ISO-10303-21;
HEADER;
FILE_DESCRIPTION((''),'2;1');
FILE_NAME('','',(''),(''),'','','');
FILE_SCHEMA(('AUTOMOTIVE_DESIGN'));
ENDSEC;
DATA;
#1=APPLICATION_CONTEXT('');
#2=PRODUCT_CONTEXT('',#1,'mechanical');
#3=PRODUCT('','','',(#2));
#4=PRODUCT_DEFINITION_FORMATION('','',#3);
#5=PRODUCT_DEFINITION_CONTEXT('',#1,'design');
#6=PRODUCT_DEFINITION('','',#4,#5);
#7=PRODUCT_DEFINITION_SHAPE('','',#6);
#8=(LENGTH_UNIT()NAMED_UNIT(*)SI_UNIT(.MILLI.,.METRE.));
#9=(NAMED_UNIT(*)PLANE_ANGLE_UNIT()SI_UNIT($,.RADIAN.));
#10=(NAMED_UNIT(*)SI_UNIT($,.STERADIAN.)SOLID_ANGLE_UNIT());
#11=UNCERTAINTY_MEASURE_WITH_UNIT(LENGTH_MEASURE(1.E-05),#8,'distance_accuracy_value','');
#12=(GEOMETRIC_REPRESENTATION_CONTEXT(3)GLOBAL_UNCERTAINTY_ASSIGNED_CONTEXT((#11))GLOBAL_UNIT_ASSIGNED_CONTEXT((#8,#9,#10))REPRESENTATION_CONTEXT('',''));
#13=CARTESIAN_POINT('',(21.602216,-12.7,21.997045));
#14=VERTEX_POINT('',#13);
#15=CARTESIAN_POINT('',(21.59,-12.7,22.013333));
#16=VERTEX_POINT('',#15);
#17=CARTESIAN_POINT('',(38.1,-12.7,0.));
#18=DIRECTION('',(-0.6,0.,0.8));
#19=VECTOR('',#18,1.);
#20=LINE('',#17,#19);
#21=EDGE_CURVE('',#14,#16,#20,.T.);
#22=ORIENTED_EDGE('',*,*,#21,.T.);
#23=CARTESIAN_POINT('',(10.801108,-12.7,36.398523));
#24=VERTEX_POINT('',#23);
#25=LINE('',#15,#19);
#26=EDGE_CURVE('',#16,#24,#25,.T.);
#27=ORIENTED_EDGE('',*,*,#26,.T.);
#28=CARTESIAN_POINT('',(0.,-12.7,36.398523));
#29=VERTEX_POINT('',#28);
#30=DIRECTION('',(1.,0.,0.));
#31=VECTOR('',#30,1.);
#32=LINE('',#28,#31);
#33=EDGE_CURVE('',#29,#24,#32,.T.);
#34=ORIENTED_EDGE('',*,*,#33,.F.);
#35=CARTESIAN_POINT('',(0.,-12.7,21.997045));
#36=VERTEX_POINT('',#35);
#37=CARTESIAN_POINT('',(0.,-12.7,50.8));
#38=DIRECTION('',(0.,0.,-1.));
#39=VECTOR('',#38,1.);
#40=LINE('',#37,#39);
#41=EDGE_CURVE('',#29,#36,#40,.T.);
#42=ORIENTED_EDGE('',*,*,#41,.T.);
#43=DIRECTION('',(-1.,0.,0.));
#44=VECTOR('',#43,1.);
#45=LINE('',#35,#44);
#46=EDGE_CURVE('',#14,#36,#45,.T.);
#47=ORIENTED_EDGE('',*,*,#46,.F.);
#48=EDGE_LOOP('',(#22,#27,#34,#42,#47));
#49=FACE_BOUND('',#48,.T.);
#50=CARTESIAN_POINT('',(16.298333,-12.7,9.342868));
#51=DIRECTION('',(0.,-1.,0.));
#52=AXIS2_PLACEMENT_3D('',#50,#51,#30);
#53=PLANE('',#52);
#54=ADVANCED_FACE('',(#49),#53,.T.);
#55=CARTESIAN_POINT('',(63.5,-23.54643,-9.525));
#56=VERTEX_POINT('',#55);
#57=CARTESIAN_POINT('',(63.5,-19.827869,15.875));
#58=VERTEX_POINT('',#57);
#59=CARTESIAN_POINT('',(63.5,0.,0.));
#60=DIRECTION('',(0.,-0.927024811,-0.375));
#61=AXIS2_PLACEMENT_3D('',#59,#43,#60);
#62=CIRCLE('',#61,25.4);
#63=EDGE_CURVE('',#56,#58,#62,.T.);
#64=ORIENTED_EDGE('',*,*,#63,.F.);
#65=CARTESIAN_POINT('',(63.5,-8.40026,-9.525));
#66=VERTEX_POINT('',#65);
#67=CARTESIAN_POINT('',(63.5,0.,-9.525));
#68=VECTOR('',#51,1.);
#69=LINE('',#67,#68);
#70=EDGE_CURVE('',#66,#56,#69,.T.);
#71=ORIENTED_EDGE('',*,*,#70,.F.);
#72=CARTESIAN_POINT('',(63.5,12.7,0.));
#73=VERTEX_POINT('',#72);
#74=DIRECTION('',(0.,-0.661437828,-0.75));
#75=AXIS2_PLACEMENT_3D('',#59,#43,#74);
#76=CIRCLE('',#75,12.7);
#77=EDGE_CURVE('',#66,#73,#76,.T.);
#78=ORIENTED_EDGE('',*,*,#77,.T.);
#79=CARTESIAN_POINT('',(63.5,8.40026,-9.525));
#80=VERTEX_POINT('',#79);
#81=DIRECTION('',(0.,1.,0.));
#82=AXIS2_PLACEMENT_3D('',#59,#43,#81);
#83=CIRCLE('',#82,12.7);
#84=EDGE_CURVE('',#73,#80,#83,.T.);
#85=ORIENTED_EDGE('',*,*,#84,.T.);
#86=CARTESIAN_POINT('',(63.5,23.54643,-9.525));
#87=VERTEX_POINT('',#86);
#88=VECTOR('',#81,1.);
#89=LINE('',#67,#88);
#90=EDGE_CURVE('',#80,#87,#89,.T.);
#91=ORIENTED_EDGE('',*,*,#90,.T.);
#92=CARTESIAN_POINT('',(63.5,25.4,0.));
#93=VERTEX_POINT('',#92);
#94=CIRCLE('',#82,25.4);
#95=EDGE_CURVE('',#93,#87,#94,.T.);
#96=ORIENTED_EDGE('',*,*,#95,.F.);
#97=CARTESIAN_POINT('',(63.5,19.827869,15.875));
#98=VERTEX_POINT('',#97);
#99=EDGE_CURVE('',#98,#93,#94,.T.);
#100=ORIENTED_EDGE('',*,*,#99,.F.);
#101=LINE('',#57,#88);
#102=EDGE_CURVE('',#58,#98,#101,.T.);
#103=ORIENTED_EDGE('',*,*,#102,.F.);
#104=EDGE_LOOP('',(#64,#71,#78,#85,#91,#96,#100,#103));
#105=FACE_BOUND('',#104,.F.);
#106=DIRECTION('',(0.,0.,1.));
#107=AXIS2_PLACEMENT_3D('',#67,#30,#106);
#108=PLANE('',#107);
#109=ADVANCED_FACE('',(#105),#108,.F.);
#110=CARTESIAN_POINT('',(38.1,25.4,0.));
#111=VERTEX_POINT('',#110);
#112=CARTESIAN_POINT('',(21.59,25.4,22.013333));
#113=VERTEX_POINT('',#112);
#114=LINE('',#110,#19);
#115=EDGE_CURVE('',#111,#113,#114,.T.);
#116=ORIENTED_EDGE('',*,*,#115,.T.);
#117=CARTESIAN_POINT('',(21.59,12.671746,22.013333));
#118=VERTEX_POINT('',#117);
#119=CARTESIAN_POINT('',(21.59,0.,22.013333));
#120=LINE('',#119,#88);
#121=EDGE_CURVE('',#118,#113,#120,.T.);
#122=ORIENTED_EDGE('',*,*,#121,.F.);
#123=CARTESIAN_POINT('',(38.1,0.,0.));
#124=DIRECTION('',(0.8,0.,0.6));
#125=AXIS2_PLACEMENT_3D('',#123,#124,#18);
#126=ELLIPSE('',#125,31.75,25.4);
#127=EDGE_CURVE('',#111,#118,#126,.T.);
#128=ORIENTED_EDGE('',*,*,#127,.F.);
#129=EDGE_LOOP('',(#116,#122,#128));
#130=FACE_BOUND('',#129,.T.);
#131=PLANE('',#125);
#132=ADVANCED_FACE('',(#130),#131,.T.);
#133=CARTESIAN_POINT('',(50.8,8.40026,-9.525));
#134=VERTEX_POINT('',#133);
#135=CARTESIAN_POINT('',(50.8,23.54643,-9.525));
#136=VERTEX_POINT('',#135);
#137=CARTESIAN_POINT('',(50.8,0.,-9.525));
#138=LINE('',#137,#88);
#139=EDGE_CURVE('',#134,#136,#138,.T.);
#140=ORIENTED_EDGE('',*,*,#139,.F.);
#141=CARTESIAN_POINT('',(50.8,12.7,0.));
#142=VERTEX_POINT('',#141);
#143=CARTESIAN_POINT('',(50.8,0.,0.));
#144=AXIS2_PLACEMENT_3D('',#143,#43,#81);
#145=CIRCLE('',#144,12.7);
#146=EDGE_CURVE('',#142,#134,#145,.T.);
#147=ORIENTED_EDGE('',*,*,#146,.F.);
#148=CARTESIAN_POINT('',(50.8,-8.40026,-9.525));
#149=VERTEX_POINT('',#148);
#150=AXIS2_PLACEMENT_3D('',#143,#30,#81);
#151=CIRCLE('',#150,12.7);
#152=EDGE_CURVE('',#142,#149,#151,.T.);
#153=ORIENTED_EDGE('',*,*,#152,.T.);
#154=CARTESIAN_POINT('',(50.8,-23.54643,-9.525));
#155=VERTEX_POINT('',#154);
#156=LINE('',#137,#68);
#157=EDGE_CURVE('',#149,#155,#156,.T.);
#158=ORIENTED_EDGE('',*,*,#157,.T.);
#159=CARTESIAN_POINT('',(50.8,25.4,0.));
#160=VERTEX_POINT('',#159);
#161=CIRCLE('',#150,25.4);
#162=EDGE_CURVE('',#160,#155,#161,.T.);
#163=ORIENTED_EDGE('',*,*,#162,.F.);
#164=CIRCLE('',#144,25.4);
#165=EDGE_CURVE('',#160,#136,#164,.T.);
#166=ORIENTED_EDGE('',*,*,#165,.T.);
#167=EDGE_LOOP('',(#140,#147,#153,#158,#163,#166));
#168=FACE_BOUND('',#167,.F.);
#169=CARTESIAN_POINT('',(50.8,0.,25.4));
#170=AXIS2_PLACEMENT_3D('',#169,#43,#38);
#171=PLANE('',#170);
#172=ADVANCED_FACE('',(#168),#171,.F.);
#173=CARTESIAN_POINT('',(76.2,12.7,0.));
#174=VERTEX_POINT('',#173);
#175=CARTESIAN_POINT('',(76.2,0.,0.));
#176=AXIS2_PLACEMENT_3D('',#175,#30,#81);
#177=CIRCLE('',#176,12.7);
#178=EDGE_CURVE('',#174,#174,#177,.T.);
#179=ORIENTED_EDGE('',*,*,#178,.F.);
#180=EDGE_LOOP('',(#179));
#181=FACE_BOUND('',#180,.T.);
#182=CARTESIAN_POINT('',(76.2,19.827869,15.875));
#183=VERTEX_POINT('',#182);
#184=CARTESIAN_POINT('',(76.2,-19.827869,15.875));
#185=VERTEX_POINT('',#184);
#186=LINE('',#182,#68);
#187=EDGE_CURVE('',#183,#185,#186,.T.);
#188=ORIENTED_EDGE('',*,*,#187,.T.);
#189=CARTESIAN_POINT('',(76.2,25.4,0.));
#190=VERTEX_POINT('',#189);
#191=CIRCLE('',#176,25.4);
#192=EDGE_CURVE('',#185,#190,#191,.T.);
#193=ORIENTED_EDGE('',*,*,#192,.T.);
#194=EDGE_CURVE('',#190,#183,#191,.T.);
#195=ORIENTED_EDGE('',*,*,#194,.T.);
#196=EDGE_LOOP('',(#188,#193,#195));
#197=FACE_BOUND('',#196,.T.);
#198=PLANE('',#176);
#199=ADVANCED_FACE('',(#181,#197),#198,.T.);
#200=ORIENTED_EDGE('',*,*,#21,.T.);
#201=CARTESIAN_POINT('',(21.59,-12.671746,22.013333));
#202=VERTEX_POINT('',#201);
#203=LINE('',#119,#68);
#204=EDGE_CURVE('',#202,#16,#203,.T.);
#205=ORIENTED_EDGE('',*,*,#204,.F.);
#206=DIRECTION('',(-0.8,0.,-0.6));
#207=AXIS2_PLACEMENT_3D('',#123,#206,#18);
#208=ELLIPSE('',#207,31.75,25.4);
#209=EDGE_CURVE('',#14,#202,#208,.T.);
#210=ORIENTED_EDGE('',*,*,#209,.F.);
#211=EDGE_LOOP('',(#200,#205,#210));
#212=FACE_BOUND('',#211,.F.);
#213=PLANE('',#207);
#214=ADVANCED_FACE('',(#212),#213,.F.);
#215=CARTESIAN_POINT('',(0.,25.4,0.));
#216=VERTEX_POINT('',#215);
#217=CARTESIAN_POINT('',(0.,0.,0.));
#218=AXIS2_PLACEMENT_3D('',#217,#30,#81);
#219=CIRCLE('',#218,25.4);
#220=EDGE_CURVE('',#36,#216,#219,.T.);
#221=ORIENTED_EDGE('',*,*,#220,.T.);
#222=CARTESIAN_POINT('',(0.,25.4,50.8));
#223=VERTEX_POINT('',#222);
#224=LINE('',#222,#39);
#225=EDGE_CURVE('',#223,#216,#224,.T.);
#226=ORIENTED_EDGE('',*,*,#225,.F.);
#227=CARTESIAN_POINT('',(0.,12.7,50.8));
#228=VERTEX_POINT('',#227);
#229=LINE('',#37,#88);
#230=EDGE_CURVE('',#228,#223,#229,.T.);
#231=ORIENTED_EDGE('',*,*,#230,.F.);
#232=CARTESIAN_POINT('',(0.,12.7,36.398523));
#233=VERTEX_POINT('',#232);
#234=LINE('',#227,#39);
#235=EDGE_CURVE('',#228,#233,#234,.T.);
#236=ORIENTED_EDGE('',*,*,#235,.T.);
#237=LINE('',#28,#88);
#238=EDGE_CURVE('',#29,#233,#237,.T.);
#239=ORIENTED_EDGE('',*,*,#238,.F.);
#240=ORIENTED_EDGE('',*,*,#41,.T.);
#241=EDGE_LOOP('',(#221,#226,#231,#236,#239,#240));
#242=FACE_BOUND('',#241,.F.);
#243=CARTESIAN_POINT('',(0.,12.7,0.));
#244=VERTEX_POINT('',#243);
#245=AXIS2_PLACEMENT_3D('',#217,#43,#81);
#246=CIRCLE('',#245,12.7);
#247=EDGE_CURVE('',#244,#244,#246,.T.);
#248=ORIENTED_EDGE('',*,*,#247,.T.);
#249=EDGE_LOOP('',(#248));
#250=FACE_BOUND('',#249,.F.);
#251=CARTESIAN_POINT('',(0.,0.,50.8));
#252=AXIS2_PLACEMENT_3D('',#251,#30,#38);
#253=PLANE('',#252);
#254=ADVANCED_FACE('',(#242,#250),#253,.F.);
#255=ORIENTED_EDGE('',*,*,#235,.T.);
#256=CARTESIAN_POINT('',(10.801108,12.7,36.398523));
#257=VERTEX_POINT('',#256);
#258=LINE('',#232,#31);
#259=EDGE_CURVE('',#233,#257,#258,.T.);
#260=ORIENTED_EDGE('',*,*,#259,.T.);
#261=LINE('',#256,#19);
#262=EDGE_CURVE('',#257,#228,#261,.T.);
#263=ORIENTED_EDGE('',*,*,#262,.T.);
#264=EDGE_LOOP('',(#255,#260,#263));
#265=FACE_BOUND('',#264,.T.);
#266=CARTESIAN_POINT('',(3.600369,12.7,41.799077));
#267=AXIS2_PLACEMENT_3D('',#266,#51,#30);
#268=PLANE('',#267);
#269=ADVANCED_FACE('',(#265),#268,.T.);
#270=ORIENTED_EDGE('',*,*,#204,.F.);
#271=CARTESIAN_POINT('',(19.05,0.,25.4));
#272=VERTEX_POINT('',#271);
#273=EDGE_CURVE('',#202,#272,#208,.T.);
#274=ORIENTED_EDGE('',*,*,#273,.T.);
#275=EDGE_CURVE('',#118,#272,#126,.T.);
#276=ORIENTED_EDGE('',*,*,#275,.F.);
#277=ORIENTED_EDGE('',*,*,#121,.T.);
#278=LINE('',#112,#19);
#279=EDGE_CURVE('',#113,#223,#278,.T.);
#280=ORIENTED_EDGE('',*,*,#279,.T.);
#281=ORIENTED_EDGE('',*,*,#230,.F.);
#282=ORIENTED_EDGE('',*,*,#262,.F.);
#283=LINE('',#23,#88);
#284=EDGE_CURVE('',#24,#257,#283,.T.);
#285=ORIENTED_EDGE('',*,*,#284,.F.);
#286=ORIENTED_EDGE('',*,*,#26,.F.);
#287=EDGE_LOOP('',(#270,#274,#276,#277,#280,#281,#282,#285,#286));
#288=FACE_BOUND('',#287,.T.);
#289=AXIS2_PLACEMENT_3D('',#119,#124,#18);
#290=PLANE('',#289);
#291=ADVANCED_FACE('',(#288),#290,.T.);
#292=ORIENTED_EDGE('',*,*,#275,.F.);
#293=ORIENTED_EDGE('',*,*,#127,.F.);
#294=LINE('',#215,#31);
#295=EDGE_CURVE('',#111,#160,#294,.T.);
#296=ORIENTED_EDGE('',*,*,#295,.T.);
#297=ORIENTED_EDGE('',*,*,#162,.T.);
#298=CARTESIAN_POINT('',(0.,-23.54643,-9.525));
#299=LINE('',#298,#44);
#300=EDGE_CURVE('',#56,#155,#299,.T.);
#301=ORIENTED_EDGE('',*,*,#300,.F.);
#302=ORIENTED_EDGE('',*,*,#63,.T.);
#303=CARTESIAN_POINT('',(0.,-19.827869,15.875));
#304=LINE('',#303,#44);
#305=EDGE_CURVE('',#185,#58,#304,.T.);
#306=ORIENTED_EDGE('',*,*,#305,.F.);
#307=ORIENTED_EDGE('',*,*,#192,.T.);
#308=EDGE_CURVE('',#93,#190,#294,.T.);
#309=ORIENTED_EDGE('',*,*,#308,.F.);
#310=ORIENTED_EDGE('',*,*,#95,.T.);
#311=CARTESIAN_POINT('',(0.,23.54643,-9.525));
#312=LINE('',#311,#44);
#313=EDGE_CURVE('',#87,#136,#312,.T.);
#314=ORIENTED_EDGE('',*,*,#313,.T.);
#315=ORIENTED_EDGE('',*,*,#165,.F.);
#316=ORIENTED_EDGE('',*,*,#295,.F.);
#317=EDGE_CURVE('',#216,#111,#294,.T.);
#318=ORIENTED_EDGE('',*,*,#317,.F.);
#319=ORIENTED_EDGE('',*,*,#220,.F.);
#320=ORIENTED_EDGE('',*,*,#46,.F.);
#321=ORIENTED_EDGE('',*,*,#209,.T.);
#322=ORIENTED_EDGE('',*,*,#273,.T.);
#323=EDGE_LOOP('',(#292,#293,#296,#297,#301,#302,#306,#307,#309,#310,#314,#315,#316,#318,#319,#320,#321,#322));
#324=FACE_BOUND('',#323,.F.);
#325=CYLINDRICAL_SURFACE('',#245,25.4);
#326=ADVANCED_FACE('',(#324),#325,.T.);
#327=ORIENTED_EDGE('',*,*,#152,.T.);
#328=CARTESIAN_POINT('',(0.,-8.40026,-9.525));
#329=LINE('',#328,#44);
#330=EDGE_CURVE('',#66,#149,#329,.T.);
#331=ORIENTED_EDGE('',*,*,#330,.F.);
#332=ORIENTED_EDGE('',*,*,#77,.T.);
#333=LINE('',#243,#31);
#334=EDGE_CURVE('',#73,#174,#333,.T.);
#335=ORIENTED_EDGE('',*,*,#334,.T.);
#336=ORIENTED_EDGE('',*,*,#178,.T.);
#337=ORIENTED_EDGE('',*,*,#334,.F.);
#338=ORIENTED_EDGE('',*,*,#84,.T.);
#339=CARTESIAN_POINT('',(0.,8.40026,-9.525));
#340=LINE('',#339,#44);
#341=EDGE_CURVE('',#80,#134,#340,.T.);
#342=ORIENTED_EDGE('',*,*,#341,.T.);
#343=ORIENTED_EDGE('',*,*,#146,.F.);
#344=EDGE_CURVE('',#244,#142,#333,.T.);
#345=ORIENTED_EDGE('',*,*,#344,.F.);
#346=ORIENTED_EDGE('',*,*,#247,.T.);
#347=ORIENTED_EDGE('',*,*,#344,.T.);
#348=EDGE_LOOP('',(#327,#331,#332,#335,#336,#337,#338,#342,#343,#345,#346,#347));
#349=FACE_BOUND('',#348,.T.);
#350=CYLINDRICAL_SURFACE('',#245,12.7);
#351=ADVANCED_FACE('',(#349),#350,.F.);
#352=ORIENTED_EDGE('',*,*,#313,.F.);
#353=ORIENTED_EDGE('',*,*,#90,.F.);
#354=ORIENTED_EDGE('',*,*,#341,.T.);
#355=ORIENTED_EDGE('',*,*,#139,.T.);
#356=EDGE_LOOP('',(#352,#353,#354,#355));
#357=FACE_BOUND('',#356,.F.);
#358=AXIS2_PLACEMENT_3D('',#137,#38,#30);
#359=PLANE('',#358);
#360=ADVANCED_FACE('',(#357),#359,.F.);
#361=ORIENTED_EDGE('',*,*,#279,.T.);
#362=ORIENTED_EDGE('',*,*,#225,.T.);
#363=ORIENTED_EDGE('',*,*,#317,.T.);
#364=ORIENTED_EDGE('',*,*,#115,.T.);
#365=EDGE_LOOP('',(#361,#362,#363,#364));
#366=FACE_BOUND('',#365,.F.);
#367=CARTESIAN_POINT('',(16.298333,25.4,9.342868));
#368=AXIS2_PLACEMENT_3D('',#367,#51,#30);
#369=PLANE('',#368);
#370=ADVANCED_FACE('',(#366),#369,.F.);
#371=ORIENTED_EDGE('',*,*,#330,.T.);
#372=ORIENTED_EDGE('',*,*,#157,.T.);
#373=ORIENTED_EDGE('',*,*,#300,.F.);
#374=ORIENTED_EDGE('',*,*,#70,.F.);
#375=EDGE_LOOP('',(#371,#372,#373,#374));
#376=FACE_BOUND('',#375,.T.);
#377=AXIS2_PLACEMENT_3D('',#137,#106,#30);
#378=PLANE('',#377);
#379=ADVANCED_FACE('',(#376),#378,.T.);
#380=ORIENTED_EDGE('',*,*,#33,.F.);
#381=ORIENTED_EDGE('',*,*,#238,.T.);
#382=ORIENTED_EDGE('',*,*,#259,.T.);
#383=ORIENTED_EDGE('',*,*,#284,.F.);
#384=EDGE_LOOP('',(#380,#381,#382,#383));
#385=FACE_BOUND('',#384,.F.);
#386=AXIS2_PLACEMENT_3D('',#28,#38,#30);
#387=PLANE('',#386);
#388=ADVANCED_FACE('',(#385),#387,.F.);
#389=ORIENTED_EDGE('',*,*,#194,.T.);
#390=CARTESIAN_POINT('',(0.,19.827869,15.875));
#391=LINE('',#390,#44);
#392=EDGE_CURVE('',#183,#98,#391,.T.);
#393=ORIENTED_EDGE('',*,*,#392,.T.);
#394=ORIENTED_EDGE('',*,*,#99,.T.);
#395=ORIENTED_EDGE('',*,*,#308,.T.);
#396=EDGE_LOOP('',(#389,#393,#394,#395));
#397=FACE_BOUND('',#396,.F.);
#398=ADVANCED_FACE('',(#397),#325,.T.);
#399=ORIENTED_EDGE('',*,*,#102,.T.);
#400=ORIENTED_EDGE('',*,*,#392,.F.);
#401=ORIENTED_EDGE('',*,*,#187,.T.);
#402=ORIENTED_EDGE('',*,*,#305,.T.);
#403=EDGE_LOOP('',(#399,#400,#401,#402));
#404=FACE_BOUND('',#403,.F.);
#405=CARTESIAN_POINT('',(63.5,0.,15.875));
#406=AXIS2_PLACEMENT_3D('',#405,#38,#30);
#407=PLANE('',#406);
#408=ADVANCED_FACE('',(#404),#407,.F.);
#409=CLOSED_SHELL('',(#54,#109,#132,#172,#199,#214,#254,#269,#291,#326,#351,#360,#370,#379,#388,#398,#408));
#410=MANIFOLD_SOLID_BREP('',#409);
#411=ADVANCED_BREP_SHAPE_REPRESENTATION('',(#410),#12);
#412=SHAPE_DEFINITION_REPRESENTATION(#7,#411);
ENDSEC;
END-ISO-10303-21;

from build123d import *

# Parameters (mm, degrees)
F0_R          = 25.4
F0_R_2        = 12.7
F1_DEPTH      = 76.2
F3_DEPTH      = 25.4
F3_DEPTH_BACK = 12.7
F5_DEPTH      = 25.4
F6_R          = 12.7
F7_DEPTH      = 76.201
F9_DEPTH      = 25.401
F9_DEPTH_BACK = 25.4


with BuildPart() as f1:
    # F0 (on Right) → F1 (new body)
    with BuildSketch(Plane.YZ):
        Circle(F0_R)
        Circle(F0_R_2, mode=Mode.SUBTRACT)
    extrude(amount=F1_DEPTH)

    # F2 (on Front) → F3 (join, two sides)
    with BuildSketch(Plane.XZ) as f3_sk:
        Polygon((0, 22.0133333333), (0, 0), (38.1, 0), (21.59, 22.0133333333), align=None)
        Polygon((0, 50.8), (0, 22.0133333333), (21.59, 22.0133333333), align=None)
    extrude(amount=-F3_DEPTH)
    extrude(f3_sk.sketch, amount=F3_DEPTH_BACK)

    # F4 (on face) → F5 (cut)
    with BuildSketch(Plane.XZ.offset(12.7)):
        Polygon((0, 50.8), (0, 36.3985226281), (10.801108029, 36.3985226281), align=None)
    extrude(amount=-F5_DEPTH, mode=Mode.SUBTRACT)

    # F6 (on Right) → F7 (cut, through all)
    with BuildSketch(Plane.YZ):
        Circle(F6_R)
    extrude(amount=F7_DEPTH, mode=Mode.SUBTRACT)

    # F8 (on Front) → F9 (cut, two sides)
    with BuildSketch(Plane.XZ) as f9_sk:
        Polygon((76.2, 25.4), (50.8, 25.4), (50.8, -9.525), (63.5, -9.525), (63.5, 15.875), (76.2, 15.875), align=None)
    extrude(amount=-F9_DEPTH, mode=Mode.SUBTRACT)
    extrude(f9_sk.sketch, amount=F9_DEPTH_BACK, mode=Mode.SUBTRACT)


solid = f1.part
